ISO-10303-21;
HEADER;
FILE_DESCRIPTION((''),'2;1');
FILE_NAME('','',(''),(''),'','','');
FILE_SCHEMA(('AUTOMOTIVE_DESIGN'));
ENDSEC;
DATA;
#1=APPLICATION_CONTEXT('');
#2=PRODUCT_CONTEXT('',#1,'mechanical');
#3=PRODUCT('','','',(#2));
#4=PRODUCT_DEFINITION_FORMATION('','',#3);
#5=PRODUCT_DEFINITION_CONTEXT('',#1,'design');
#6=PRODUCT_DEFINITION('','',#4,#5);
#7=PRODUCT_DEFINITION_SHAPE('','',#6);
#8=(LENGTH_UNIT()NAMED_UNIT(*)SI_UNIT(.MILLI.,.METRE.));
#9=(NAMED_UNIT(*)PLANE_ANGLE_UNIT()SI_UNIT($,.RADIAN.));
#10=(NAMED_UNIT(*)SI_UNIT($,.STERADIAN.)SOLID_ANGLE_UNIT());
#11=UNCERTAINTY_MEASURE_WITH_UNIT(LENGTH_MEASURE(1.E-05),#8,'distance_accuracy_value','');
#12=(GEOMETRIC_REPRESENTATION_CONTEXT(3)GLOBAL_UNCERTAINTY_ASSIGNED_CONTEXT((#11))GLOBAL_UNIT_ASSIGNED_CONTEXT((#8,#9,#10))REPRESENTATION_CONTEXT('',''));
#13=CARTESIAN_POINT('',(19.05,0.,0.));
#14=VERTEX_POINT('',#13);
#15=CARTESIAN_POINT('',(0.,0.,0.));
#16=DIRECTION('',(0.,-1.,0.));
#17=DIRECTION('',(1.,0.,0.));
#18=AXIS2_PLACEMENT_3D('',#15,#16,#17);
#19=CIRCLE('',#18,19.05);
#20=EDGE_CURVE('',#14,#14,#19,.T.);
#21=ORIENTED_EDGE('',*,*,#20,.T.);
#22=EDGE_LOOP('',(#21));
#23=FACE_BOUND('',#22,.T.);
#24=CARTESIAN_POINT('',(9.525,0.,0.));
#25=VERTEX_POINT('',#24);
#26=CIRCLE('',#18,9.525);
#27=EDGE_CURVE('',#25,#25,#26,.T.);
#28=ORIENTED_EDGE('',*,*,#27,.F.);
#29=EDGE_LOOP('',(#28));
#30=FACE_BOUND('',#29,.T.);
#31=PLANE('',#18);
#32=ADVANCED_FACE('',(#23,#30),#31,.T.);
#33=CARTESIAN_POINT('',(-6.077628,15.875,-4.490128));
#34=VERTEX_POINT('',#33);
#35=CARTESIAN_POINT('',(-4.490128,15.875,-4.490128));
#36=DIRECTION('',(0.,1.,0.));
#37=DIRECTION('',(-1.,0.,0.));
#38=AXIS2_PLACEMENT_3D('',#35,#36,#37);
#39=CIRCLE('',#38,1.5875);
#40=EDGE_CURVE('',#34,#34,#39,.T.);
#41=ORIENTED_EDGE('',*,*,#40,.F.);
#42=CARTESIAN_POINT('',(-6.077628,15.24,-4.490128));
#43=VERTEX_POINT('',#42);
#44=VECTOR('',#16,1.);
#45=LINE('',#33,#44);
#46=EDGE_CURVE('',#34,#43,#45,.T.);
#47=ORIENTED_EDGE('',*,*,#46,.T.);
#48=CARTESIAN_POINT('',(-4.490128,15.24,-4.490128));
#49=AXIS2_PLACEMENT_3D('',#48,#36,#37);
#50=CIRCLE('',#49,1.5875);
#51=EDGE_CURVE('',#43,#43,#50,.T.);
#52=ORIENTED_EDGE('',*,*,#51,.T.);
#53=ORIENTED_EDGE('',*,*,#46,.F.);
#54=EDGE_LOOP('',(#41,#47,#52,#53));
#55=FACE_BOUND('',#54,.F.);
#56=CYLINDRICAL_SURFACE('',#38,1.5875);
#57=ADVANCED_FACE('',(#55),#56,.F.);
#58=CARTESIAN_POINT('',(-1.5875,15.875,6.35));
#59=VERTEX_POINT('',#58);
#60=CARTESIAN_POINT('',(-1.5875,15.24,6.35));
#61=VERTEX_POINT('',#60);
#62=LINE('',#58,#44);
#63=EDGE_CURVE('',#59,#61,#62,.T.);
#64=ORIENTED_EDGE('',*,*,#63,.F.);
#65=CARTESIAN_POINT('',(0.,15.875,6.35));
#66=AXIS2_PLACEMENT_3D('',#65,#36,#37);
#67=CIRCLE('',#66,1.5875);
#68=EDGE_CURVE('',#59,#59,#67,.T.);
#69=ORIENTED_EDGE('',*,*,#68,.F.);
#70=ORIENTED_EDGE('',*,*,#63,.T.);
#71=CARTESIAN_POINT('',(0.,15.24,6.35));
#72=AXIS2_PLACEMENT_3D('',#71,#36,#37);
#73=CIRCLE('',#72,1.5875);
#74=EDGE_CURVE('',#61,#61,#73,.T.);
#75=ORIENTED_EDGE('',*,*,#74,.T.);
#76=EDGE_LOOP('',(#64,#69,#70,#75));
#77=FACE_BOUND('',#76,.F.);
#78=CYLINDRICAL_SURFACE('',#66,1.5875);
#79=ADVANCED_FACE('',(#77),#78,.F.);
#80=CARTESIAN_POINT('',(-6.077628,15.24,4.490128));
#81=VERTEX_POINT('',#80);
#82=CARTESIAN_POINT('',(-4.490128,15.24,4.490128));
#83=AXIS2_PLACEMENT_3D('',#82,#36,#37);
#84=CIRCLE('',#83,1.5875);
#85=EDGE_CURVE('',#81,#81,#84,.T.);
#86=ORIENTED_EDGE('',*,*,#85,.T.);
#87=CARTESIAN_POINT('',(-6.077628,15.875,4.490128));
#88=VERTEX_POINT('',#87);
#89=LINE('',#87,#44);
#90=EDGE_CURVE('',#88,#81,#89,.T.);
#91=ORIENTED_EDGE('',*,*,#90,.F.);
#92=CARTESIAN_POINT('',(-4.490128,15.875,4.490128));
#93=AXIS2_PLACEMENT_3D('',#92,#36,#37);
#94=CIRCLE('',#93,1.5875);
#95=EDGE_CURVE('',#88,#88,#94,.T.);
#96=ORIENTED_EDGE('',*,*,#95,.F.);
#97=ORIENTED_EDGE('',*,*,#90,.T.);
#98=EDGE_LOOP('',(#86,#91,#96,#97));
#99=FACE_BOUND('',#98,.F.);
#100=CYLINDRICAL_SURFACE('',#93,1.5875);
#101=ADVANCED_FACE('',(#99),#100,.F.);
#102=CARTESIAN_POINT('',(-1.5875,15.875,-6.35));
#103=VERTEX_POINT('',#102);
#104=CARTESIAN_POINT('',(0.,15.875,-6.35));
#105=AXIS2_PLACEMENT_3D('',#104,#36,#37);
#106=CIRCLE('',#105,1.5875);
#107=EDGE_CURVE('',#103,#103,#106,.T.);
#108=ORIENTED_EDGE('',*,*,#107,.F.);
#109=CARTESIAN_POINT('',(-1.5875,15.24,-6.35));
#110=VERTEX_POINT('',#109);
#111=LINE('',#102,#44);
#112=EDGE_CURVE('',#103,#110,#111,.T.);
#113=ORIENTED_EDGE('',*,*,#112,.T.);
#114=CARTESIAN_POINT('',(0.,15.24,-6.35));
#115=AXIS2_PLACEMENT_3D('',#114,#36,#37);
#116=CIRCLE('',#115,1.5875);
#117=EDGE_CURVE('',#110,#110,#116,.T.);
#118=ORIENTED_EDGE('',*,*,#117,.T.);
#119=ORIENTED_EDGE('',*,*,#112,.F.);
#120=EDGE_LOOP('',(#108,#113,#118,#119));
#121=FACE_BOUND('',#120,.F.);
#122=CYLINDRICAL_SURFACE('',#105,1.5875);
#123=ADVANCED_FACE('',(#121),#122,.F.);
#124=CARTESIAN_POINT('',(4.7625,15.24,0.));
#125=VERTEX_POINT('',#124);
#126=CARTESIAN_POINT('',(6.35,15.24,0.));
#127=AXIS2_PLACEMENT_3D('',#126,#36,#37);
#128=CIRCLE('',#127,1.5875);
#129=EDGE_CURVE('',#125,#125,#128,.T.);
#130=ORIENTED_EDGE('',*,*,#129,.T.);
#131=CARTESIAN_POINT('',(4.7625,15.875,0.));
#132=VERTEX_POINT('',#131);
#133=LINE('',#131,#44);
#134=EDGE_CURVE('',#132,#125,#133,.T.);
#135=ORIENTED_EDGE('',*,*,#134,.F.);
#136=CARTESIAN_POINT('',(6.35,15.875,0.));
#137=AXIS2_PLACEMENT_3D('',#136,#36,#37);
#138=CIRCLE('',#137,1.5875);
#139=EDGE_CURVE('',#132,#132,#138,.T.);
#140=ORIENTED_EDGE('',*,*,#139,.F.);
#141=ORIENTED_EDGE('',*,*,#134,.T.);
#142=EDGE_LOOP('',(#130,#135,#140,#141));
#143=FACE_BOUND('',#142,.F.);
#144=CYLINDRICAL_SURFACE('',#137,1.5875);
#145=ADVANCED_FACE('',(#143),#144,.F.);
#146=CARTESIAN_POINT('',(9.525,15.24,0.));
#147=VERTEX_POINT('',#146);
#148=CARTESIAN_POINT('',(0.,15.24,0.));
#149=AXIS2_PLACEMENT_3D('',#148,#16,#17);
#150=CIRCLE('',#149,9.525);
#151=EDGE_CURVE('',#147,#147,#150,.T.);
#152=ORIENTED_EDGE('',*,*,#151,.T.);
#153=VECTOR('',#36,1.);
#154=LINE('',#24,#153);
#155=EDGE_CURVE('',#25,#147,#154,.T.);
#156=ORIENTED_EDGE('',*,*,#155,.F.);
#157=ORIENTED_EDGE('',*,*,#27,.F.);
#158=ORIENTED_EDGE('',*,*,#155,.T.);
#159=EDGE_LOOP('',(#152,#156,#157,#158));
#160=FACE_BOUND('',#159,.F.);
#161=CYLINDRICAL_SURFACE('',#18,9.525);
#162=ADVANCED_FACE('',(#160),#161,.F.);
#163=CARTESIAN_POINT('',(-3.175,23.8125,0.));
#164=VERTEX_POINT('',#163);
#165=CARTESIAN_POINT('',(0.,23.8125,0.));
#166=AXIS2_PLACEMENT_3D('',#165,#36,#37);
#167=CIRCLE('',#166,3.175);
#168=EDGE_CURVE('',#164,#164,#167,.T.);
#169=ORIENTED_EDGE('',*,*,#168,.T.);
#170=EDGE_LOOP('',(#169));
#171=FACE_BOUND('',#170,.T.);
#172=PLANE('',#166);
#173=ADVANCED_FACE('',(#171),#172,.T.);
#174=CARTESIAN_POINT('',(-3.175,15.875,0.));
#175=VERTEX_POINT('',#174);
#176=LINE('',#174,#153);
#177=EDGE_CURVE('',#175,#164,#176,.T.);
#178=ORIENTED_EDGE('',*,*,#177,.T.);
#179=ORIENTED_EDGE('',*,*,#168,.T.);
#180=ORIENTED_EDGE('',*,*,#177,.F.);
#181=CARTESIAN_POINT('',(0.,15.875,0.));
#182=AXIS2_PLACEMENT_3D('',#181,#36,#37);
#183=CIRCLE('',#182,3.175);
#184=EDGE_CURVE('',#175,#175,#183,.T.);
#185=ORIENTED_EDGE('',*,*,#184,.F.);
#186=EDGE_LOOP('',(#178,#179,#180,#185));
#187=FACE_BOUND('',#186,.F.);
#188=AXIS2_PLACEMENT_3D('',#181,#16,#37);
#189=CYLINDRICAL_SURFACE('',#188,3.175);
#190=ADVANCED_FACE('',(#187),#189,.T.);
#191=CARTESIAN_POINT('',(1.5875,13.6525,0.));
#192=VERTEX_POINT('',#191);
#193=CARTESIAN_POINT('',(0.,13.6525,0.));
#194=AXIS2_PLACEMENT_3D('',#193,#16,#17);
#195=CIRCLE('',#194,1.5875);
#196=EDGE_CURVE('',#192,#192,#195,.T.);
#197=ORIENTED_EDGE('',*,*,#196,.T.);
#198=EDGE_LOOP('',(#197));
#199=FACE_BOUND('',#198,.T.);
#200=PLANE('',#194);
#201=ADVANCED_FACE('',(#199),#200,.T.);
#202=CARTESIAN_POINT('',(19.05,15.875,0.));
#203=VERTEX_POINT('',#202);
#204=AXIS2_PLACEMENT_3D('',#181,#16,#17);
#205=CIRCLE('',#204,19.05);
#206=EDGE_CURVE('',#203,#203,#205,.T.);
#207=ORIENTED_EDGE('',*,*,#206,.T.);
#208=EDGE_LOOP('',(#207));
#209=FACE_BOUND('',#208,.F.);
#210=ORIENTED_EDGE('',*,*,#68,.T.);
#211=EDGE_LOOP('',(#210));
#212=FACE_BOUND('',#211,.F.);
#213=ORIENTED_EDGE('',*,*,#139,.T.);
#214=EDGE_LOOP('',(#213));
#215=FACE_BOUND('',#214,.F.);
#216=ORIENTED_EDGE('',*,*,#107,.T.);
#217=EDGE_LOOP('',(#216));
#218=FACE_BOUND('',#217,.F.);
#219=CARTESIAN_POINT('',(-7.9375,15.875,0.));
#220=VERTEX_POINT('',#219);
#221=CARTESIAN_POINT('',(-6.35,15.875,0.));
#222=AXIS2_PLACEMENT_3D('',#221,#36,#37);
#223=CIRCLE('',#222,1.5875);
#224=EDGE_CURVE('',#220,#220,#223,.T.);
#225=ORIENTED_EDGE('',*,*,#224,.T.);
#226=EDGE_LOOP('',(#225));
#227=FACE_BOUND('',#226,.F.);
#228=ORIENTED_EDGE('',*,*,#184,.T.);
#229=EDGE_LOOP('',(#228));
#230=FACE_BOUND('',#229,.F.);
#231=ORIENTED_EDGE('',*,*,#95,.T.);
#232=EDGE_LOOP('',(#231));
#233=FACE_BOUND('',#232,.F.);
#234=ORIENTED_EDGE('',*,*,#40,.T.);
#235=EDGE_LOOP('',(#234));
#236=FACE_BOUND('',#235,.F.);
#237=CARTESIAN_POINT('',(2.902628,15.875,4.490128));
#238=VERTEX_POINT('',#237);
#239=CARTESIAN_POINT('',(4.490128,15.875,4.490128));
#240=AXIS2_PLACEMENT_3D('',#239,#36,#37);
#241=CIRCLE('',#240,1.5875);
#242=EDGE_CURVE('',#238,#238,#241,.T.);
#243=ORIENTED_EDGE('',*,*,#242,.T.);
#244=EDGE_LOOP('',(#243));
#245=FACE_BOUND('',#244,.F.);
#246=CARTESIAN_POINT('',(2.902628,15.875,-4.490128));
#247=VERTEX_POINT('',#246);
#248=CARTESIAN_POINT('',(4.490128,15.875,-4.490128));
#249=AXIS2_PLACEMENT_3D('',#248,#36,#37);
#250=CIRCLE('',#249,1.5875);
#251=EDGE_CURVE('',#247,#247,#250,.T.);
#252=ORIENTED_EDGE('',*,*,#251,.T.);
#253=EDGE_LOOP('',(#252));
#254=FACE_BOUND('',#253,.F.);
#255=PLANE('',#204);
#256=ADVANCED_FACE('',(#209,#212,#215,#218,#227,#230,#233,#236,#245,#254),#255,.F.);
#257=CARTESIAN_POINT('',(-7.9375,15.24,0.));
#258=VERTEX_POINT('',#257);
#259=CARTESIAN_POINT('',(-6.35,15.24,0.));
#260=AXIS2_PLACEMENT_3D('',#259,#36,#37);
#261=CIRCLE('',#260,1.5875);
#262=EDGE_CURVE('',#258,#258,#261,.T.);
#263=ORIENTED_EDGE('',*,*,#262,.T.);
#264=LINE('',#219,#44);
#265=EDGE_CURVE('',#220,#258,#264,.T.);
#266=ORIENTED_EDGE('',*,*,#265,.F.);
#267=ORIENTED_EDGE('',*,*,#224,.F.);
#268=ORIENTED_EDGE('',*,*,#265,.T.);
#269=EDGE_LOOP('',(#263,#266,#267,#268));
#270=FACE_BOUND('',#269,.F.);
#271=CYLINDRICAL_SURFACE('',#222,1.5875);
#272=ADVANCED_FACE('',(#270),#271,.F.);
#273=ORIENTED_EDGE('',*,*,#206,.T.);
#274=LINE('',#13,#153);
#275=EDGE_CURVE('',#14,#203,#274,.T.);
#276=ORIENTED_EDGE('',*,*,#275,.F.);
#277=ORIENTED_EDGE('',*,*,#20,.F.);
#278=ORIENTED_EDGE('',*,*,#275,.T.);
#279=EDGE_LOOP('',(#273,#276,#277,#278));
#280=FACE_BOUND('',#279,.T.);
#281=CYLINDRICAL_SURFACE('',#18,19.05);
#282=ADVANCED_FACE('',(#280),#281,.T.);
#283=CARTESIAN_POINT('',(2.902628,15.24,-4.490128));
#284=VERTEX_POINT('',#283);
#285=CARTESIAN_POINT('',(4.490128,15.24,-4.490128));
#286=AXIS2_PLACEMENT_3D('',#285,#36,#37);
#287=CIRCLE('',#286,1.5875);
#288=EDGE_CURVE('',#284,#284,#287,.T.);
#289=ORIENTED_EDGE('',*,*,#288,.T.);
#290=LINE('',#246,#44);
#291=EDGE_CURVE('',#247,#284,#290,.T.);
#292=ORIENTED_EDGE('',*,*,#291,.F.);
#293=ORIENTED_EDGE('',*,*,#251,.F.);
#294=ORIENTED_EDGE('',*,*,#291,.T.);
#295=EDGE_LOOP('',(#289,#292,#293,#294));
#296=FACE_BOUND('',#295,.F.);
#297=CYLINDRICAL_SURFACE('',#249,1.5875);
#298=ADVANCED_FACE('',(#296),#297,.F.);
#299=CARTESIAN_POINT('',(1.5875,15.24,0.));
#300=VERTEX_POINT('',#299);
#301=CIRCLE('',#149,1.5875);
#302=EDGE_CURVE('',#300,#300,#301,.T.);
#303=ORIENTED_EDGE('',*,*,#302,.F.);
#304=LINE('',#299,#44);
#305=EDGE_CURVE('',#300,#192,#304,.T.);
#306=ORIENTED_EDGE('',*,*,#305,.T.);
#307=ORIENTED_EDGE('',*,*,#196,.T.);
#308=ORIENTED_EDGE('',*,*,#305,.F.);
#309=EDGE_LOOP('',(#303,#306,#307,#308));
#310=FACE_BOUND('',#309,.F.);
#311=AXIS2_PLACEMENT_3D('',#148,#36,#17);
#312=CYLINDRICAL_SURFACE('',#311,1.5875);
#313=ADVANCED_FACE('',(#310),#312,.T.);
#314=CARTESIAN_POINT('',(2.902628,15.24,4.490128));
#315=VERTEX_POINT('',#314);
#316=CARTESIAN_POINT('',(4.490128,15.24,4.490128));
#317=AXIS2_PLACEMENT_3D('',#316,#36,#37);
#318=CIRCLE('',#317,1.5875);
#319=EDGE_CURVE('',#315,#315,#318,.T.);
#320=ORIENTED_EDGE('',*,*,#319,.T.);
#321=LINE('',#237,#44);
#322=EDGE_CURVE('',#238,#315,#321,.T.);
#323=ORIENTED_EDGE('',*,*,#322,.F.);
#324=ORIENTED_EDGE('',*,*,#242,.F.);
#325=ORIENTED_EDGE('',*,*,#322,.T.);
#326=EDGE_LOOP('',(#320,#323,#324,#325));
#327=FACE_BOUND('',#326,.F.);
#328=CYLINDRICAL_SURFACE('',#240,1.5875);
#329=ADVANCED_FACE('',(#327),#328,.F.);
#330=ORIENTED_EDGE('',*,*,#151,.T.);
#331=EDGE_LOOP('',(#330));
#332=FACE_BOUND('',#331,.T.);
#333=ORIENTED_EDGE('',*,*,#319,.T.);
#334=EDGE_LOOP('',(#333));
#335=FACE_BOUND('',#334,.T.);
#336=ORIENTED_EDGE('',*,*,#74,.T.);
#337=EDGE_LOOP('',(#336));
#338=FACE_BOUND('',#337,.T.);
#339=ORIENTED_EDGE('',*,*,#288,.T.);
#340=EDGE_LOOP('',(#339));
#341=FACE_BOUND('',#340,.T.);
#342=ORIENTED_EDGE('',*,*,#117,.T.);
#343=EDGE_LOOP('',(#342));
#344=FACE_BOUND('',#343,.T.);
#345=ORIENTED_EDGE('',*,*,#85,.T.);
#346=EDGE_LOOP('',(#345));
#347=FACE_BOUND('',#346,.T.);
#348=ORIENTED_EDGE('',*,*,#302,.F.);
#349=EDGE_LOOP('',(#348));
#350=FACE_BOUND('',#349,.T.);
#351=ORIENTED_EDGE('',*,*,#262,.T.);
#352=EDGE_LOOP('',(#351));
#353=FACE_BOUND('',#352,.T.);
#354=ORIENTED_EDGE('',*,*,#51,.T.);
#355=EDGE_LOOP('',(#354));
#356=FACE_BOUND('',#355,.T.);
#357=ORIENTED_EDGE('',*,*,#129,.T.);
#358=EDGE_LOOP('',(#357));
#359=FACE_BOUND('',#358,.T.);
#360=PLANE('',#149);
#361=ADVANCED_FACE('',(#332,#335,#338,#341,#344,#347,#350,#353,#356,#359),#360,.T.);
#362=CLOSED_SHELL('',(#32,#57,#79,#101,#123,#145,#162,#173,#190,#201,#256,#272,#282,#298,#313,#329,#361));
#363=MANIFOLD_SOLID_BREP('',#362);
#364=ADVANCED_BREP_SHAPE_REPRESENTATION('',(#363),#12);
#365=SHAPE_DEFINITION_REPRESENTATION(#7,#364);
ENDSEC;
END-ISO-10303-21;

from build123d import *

# Parameters (mm, degrees)
F0_R      = 19.05
F2_DEPTH  = 15.875
F1_R      = 9.525
F3_DEPTH  = 15.24
F4_R      = 1.5875
F5_DEPTH  = 1.5875
F6_R      = 3.175
F7_DEPTH  = 7.9375
F9_R      = 1.5875
F10_DEPTH = 25.4


with BuildPart() as f2:
    # F0 (on Front) → F2 (new body)
    with BuildSketch(Plane.XZ):
        Circle(F0_R)
    extrude(amount=-F2_DEPTH)

    # F1 (on face) → F3 (cut)
    with BuildSketch(Plane.XZ):
        Circle(F1_R)
    extrude(amount=-F3_DEPTH, mode=Mode.SUBTRACT)

    # F4 (on face) → F5 (join)
    with BuildSketch(Plane.XZ.offset(-15.24)):
        Circle(F4_R)
    extrude(amount=F5_DEPTH)

    # F6 (on face) → F7 (join)
    with BuildSketch(Plane(origin=(0, 15.875, 0), x_dir=(-1, 0, 0), z_dir=(0, 1, 0))):
        Circle(F6_R)
    extrude(amount=F7_DEPTH)

    # F9 (on face) → F10 (cut)
    with BuildSketch(Plane(origin=(0, 15.875, 0), x_dir=(-1, 0, 0), z_dir=(0, 1, 0))):
        with Locations((6.35, 0)):
            Circle(F9_R)
        with Locations((4.490128, 4.490128)):
            Circle(F9_R)
        with Locations((0, 6.35)):
            Circle(F9_R)
        with Locations((-4.490128, 4.490128)):
            Circle(F9_R)
        with Locations((-6.35, 0)):
            Circle(F9_R)
        with Locations((-4.490128, -4.490128)):
            Circle(F9_R)
        with Locations((0, -6.35)):
            Circle(F9_R)
        with Locations((4.490128, -4.490128)):
            Circle(F9_R)
    extrude(amount=-F10_DEPTH, mode=Mode.SUBTRACT)


solid = f2.part
